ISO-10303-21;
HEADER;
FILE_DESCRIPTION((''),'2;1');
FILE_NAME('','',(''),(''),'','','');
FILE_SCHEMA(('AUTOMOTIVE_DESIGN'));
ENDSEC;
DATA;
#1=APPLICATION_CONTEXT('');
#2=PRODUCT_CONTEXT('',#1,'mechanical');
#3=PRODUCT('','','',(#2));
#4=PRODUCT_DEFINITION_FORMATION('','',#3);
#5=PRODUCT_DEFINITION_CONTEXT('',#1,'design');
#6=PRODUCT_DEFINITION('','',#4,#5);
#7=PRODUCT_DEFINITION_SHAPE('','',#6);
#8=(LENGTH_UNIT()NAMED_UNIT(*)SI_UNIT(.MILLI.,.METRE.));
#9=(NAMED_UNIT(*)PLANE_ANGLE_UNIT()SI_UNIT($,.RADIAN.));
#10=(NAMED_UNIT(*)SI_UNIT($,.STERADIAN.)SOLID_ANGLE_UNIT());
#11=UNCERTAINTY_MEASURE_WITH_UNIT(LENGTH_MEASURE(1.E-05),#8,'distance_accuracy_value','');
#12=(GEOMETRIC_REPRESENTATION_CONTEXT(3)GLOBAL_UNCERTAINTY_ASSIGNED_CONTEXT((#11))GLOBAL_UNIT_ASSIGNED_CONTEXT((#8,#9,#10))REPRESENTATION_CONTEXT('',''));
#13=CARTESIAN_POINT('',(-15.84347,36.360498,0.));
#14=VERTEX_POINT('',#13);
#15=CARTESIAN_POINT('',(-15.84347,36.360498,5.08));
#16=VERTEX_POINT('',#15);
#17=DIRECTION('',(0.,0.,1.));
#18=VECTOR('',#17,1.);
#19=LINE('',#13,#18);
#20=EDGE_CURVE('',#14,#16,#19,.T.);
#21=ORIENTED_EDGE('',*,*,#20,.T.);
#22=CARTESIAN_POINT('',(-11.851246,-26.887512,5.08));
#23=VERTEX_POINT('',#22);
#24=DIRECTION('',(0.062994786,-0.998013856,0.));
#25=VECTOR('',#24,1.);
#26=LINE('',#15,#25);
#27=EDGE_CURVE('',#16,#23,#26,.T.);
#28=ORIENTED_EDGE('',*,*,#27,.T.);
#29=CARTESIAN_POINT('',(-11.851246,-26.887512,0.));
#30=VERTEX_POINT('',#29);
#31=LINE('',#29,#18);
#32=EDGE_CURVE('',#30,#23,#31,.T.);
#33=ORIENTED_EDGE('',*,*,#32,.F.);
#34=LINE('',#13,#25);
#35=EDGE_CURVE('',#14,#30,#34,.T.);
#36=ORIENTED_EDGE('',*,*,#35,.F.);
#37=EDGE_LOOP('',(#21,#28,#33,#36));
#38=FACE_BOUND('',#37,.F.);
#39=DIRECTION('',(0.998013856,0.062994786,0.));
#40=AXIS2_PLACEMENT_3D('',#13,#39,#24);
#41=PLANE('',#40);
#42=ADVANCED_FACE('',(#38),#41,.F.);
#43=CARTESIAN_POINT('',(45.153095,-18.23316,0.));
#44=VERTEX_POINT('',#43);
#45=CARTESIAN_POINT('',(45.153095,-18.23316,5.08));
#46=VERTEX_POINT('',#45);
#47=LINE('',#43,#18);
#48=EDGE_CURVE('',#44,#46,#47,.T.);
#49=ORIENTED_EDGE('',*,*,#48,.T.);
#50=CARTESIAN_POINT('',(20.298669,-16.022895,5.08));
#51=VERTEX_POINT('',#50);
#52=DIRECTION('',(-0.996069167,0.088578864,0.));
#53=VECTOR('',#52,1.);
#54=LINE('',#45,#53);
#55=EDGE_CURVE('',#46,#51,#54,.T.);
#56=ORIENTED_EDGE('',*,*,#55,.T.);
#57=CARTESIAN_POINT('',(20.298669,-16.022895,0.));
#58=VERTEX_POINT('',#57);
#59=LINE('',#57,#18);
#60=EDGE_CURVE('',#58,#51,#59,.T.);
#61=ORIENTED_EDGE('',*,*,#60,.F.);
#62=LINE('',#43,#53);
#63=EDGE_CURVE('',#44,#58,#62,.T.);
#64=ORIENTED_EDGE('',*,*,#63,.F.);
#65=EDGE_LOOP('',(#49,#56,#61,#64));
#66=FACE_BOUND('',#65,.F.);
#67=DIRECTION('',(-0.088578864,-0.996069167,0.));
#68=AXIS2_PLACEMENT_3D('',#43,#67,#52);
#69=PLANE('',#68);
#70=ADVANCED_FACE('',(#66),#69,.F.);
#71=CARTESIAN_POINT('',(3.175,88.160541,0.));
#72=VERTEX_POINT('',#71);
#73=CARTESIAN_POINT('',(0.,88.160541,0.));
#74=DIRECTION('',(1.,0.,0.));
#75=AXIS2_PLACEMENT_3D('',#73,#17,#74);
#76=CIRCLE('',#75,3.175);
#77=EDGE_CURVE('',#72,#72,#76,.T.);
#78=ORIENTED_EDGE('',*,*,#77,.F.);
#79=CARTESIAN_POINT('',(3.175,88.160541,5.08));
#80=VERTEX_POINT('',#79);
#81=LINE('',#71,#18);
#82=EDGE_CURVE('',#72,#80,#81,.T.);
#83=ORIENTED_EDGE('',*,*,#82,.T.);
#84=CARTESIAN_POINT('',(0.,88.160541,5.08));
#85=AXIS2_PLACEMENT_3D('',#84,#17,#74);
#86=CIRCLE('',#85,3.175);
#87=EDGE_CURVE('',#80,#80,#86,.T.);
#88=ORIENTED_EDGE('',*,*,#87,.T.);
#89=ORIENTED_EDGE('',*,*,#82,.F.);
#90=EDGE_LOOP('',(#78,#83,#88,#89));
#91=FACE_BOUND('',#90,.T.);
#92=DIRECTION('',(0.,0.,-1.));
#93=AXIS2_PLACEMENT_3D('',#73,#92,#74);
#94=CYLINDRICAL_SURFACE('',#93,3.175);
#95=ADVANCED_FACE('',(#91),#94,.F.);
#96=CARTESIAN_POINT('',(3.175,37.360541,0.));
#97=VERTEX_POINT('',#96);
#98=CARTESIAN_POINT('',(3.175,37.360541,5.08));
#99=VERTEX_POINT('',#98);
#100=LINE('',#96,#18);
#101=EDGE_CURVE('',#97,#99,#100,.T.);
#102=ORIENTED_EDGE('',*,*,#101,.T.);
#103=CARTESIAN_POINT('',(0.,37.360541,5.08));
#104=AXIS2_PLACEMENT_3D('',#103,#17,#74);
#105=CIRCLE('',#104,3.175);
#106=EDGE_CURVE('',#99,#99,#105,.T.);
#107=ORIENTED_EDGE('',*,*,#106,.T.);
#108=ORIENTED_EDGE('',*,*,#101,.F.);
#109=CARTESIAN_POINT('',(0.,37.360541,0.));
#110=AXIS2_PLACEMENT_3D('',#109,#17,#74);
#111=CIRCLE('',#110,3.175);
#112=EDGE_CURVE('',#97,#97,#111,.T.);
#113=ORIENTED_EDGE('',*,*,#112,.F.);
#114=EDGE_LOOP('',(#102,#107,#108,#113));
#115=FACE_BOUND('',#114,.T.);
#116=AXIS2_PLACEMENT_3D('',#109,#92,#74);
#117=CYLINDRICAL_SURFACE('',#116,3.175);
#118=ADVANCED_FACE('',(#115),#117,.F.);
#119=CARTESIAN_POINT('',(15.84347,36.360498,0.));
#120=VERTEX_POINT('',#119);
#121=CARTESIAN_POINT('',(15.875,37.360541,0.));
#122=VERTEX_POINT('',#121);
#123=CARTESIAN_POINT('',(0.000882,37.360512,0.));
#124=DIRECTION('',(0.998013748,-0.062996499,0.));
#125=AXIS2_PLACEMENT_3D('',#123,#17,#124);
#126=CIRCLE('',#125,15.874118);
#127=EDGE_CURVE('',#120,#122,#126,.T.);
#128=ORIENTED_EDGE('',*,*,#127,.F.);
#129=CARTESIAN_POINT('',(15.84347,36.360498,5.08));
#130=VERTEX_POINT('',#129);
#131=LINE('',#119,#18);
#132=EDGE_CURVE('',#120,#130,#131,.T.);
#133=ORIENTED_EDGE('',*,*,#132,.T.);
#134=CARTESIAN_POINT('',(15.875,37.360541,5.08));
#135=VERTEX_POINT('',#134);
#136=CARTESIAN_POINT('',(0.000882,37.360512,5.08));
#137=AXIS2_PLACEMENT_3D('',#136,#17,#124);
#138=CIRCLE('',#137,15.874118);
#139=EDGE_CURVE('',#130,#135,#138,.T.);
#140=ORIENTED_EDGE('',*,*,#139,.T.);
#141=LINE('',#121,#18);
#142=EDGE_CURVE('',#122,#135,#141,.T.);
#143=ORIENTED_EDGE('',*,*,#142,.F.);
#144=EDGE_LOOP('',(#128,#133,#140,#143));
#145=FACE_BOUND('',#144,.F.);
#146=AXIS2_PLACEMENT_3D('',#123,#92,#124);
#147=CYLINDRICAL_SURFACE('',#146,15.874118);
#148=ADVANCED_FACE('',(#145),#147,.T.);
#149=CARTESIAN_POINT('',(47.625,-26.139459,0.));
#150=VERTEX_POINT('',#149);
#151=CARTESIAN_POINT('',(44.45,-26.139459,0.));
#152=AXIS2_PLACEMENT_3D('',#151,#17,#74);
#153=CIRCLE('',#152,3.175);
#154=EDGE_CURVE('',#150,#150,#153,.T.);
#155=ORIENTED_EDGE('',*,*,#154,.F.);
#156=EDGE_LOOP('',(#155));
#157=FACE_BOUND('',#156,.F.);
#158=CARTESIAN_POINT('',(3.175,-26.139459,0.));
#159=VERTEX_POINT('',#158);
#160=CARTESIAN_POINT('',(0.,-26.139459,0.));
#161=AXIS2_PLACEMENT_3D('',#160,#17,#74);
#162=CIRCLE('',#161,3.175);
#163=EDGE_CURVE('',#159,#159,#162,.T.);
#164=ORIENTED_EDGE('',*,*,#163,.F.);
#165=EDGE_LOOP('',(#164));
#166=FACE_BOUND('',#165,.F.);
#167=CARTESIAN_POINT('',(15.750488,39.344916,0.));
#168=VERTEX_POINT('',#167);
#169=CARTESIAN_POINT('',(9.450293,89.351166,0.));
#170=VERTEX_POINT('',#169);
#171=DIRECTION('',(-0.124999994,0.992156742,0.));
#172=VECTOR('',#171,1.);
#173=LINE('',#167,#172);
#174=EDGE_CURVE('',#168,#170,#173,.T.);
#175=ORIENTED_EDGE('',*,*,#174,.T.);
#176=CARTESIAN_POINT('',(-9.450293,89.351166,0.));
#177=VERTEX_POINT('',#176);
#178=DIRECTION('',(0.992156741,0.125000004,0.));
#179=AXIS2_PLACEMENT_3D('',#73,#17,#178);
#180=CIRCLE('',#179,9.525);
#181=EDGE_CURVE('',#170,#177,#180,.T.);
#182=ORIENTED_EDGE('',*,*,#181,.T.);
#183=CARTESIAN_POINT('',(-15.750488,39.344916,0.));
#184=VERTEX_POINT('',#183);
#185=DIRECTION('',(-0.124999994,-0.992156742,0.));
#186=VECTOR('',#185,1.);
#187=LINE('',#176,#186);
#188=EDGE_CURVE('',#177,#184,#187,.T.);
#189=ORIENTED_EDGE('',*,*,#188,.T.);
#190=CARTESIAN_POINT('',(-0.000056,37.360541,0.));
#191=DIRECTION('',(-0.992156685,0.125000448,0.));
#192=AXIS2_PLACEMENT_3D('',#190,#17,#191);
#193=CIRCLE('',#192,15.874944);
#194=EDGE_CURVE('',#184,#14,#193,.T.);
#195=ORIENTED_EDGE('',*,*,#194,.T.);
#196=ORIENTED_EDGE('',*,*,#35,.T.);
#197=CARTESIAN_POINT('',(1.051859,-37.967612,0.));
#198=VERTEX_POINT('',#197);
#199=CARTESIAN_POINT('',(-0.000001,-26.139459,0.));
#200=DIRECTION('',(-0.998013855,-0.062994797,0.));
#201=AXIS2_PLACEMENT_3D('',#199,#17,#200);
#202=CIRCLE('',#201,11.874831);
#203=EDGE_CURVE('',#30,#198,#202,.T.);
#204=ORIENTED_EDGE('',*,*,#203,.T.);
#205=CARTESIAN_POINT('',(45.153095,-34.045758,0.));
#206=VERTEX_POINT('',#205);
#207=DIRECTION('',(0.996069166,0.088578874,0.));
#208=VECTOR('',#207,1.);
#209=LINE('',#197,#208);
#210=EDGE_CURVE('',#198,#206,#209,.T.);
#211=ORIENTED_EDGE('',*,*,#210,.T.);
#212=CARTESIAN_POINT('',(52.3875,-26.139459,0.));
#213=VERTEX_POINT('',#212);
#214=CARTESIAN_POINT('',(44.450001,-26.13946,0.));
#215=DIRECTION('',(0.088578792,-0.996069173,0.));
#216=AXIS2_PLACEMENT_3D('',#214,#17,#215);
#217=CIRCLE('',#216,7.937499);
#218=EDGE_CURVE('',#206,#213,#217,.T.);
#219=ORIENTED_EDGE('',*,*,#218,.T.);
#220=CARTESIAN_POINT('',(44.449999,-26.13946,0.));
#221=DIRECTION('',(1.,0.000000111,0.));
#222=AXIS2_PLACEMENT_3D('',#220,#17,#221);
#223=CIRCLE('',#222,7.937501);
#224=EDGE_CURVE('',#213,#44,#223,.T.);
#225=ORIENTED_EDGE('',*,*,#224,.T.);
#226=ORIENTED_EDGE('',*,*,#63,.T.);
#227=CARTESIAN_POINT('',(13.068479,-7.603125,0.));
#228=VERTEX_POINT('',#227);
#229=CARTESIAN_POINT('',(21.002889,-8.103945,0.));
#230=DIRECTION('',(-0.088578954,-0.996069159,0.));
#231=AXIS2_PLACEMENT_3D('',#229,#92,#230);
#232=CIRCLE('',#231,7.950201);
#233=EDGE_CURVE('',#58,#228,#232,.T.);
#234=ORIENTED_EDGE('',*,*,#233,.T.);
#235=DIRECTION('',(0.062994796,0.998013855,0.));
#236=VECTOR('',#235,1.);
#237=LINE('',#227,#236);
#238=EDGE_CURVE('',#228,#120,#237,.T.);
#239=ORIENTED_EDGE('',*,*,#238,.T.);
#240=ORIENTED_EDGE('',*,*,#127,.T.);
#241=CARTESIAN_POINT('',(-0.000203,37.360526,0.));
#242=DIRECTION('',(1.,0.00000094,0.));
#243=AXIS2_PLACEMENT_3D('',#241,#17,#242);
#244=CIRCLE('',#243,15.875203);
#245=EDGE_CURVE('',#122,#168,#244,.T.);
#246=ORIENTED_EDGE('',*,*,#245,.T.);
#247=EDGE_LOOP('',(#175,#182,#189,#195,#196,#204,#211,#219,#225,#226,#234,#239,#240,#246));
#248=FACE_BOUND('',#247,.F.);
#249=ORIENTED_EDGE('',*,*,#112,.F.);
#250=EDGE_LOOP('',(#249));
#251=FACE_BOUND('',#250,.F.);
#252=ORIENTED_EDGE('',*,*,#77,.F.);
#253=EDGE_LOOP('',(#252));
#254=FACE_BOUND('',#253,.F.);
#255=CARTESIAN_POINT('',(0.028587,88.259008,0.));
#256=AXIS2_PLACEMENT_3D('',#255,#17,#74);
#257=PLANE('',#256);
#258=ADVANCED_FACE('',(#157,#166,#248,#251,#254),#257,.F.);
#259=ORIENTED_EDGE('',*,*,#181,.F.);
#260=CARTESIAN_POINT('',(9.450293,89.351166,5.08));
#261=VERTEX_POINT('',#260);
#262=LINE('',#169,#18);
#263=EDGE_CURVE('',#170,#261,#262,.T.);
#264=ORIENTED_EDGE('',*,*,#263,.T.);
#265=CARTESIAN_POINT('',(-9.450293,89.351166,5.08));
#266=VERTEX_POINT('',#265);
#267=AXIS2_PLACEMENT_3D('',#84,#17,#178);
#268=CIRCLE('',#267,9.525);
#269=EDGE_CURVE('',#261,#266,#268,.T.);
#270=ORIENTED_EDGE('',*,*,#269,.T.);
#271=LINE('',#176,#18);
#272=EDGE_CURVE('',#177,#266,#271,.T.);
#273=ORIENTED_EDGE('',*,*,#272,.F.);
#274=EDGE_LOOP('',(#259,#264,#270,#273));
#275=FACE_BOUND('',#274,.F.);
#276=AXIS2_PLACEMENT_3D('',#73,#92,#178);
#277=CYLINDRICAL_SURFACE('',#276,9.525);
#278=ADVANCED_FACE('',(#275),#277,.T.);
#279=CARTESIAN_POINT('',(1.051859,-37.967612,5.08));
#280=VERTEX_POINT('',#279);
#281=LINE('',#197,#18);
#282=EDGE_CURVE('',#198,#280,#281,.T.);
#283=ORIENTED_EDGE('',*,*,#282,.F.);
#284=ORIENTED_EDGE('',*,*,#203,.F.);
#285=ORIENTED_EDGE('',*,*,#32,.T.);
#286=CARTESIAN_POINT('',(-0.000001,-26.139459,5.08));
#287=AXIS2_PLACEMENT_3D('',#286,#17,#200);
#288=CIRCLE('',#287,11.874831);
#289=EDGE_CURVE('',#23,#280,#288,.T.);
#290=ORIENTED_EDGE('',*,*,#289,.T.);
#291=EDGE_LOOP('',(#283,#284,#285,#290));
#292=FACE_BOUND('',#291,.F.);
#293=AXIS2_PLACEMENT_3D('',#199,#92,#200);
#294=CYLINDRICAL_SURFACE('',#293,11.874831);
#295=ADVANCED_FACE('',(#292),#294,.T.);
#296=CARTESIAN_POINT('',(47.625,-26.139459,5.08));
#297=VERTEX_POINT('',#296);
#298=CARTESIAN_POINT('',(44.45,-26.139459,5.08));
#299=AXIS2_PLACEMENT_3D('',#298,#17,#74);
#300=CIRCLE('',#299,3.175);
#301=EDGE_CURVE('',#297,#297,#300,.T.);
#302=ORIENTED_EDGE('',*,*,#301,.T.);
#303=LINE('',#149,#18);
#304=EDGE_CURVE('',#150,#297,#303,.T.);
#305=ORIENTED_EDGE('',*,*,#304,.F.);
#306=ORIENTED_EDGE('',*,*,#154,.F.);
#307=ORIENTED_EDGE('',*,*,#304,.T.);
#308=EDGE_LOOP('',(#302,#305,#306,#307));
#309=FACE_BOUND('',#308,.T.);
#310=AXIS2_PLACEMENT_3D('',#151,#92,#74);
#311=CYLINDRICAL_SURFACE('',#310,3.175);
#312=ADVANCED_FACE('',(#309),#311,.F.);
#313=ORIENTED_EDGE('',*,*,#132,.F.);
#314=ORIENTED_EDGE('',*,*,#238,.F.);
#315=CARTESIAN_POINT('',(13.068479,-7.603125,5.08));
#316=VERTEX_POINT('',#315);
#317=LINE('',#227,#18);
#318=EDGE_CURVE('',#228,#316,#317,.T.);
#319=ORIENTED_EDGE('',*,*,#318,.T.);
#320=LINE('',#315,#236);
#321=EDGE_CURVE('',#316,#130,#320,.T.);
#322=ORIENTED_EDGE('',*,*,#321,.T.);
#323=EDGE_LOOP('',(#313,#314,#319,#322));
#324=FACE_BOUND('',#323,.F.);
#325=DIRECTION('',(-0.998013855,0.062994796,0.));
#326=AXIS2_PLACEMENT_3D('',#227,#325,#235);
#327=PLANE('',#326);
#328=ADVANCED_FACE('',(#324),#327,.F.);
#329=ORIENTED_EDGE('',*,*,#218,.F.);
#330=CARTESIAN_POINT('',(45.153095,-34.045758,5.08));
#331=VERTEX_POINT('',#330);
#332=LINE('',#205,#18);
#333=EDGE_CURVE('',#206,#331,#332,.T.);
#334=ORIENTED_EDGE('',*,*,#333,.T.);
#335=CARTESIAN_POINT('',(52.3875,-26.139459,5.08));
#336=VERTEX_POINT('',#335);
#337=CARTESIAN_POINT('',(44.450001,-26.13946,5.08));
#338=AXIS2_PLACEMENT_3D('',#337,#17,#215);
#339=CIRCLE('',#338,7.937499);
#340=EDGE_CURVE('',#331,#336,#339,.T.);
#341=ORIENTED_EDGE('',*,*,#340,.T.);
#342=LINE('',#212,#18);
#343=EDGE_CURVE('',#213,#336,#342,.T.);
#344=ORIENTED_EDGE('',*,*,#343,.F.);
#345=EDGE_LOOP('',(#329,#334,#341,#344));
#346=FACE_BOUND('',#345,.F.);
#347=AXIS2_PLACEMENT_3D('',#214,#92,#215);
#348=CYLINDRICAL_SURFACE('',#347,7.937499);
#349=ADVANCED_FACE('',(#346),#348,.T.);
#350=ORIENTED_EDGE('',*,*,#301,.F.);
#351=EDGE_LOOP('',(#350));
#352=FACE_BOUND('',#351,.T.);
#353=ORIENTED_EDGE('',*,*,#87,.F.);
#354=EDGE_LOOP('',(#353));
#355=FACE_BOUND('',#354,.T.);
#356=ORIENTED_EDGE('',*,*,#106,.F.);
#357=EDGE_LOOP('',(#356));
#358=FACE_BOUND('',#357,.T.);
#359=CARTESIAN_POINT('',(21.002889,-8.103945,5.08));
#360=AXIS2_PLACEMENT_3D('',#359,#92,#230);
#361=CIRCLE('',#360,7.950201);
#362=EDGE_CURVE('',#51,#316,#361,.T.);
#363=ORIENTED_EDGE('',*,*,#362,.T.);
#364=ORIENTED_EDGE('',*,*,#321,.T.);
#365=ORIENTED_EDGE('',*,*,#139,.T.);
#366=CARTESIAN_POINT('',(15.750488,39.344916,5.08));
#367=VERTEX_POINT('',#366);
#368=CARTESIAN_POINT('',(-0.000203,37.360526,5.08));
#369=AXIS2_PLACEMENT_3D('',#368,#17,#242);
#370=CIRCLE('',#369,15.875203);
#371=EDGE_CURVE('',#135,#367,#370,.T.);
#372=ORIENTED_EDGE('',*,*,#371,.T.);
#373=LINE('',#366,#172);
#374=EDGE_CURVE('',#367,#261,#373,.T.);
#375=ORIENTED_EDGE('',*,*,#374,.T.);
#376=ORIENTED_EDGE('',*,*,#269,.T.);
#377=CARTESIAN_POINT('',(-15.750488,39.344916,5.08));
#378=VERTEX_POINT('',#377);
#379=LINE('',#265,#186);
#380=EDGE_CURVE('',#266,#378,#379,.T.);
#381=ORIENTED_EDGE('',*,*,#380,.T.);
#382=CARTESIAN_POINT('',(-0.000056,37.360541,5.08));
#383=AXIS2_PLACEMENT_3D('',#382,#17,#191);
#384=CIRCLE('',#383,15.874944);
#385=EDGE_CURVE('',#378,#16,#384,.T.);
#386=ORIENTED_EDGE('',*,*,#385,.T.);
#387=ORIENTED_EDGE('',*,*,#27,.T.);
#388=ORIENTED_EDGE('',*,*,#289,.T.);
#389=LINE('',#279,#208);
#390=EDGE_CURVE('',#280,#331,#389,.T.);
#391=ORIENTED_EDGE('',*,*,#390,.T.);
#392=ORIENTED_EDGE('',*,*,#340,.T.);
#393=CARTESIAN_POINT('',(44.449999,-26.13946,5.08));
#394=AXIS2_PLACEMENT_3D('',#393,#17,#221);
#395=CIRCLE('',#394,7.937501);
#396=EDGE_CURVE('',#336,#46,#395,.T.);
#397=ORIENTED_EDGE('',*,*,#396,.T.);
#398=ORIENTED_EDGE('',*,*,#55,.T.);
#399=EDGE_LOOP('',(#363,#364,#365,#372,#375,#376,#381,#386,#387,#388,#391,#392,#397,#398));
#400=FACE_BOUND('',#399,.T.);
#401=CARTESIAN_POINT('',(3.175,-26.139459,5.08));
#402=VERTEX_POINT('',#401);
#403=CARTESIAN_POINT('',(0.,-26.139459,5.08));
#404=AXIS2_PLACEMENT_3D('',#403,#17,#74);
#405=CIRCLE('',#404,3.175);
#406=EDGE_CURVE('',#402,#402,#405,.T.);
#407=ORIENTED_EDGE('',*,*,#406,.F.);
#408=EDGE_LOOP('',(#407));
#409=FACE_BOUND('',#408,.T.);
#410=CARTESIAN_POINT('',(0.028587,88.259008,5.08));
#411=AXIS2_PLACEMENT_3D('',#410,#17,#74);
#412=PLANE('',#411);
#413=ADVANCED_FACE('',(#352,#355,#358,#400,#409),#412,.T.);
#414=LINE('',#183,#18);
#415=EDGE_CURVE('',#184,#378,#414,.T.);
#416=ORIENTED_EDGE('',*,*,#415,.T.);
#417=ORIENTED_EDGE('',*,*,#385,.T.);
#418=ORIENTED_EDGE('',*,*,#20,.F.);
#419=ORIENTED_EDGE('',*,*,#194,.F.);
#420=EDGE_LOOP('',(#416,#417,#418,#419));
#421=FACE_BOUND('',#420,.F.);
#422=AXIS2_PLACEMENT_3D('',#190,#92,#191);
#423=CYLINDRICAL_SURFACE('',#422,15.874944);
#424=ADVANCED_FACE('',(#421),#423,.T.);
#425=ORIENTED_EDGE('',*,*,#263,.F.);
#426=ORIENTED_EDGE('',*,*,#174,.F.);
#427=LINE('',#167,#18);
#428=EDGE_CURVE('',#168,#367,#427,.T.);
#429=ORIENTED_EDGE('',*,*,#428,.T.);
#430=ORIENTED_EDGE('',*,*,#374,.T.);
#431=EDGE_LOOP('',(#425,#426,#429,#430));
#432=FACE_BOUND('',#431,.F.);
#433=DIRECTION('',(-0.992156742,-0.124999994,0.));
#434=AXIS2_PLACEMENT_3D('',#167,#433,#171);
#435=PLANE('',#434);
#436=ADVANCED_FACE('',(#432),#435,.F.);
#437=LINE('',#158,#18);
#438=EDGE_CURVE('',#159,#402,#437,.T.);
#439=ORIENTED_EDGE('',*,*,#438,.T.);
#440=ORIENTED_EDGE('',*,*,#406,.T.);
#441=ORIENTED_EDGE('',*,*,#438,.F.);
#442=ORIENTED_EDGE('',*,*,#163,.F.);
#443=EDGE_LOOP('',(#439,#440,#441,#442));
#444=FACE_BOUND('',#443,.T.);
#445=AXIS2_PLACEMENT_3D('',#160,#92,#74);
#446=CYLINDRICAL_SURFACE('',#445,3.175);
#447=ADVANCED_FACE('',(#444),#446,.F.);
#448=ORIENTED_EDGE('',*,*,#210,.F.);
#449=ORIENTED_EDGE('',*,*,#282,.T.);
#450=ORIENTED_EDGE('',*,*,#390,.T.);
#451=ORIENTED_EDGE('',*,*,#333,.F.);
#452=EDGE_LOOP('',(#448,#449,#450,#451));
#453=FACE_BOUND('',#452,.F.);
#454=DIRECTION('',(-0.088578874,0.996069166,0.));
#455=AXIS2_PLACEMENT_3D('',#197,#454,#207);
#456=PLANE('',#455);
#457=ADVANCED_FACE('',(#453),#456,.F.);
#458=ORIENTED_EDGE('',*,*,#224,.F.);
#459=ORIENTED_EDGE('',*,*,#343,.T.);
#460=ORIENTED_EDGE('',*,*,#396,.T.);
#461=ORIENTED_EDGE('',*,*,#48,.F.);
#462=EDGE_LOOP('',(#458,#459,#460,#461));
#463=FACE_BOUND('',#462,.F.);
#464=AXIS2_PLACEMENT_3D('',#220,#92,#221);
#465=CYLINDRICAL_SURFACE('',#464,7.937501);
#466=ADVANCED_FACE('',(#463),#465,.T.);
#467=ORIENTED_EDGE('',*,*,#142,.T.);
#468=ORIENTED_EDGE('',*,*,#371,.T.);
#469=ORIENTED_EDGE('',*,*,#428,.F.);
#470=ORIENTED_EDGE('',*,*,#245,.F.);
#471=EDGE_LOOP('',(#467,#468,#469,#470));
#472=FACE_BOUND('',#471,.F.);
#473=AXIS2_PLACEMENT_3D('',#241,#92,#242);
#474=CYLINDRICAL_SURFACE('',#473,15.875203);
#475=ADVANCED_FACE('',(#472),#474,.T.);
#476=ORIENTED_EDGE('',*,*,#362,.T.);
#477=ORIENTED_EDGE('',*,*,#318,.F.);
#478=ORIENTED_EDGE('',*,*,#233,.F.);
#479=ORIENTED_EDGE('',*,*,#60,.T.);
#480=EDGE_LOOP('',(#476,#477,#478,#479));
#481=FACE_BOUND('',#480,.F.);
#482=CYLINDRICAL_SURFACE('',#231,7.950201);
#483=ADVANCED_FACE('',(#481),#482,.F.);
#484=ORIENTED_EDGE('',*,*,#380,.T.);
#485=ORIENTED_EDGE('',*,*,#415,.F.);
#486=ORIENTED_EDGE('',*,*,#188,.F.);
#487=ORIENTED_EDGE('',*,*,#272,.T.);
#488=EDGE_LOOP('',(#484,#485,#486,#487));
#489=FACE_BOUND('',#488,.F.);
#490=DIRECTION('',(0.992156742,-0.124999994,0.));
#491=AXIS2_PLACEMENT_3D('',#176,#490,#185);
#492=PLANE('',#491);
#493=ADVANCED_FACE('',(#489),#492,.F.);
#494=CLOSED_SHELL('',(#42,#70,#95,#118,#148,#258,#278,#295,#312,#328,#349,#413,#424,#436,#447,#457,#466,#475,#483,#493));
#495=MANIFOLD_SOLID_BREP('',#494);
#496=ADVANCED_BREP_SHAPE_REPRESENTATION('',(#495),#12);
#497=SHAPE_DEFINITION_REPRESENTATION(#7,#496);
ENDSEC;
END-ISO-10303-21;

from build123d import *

# Parameters (mm, degrees)
F0_R     = 3.175
F1_DEPTH = 5.08


with BuildPart() as f1:
    # F0 (on Top) → F1 (new body)
    with BuildSketch(Plane.XY):
        with BuildLine():
            ThreePointArc((-9.450293, 89.351166), (-0.596483, 78.654236), (9.525, 88.160541))
            ThreePointArc((9.525, 88.160541), (9.506305, 88.757024), (9.450293, 89.351166))
            ThreePointArc((9.450293, 89.351166), (0, 97.685541), (-9.450293, 89.351166))
        make_face()
        with Locations((0, 88.160541)):
            Circle(F0_R, mode=Mode.SUBTRACT)
        with BuildLine():
            ThreePointArc((9.450293, 89.351166), (9.506305, 88.757024), (9.525, 88.160541))
            ThreePointArc((9.525, 88.160541), (-0.596483, 78.654236), (-9.450293, 89.351166))
            Line((-9.450293, 89.351166), (-15.750488, 39.344916))
            ThreePointArc((-15.750488, 39.344916), (0, 53.235541), (15.750488, 39.344916))
            Line((15.750488, 39.344916), (9.450293, 89.351166))
        make_face()
        with BuildLine():
            ThreePointArc((15.875, 37.360541), (15.843841, 38.354679), (15.750488, 39.344916))
            ThreePointArc((15.750488, 39.344916), (0, 53.235541), (-15.750488, 39.344916))
            ThreePointArc((-15.750488, 39.344916), (-15.867301, 37.854898), (-15.84347, 36.360498))
            ThreePointArc((-15.84347, 36.360498), (0, 21.485541), (15.84347, 36.360498))
            ThreePointArc((15.84347, 36.360498), (15.867116, 36.860271), (15.875, 37.360541))
        make_face()
        with Locations((0, 37.360541)):
            Circle(F0_R, mode=Mode.SUBTRACT)
        with BuildLine():
            ThreePointArc((15.84347, 36.360498), (0, 21.485541), (-15.84347, 36.360498))
            Line((-15.84347, 36.360498), (-11.851246, -26.887512))
            ThreePointArc((-11.851246, -26.887512), (-0.374212, -14.270526), (11.874831, -26.139459))
            ThreePointArc((11.874831, -26.139459), (8.760772, -34.155723), (1.051859, -37.967612))
            Line((1.051859, -37.967612), (45.153095, -34.045758))
            ThreePointArc((45.153095, -34.045758), (36.5125, -26.139459), (45.153095, -18.23316))
            Line((45.153095, -18.23316), (20.298669, -16.022895))
            ThreePointArc((20.298669, -16.022895), (14.971338, -13.283335), (13.068479, -7.603125))
            Line((13.068479, -7.603125), (15.84347, 36.360498))
        make_face()
        with BuildLine():
            ThreePointArc((11.874831, -26.139459), (-0.374212, -14.270526), (-11.851246, -26.887512))
            ThreePointArc((-11.851246, -26.887512), (-7.736204, -35.148497), (1.051859, -37.967612))
            ThreePointArc((1.051859, -37.967612), (8.760772, -34.155723), (11.874831, -26.139459))
        make_face()
        with Locations((0, -26.139459)):
            Circle(F0_R, mode=Mode.SUBTRACT)
        with BuildLine():
            ThreePointArc((45.153095, -18.23316), (36.5125, -26.139459), (45.153095, -34.045758))
            ThreePointArc((45.153095, -34.045758), (50.305968, -31.497775), (52.3875, -26.139459))
            ThreePointArc((52.3875, -26.139459), (50.305968, -20.781144), (45.153095, -18.23316))
        make_face()
        with Locations((44.45, -26.139459)):
            Circle(F0_R, mode=Mode.SUBTRACT)
    extrude(amount=F1_DEPTH)


solid = f1.part
